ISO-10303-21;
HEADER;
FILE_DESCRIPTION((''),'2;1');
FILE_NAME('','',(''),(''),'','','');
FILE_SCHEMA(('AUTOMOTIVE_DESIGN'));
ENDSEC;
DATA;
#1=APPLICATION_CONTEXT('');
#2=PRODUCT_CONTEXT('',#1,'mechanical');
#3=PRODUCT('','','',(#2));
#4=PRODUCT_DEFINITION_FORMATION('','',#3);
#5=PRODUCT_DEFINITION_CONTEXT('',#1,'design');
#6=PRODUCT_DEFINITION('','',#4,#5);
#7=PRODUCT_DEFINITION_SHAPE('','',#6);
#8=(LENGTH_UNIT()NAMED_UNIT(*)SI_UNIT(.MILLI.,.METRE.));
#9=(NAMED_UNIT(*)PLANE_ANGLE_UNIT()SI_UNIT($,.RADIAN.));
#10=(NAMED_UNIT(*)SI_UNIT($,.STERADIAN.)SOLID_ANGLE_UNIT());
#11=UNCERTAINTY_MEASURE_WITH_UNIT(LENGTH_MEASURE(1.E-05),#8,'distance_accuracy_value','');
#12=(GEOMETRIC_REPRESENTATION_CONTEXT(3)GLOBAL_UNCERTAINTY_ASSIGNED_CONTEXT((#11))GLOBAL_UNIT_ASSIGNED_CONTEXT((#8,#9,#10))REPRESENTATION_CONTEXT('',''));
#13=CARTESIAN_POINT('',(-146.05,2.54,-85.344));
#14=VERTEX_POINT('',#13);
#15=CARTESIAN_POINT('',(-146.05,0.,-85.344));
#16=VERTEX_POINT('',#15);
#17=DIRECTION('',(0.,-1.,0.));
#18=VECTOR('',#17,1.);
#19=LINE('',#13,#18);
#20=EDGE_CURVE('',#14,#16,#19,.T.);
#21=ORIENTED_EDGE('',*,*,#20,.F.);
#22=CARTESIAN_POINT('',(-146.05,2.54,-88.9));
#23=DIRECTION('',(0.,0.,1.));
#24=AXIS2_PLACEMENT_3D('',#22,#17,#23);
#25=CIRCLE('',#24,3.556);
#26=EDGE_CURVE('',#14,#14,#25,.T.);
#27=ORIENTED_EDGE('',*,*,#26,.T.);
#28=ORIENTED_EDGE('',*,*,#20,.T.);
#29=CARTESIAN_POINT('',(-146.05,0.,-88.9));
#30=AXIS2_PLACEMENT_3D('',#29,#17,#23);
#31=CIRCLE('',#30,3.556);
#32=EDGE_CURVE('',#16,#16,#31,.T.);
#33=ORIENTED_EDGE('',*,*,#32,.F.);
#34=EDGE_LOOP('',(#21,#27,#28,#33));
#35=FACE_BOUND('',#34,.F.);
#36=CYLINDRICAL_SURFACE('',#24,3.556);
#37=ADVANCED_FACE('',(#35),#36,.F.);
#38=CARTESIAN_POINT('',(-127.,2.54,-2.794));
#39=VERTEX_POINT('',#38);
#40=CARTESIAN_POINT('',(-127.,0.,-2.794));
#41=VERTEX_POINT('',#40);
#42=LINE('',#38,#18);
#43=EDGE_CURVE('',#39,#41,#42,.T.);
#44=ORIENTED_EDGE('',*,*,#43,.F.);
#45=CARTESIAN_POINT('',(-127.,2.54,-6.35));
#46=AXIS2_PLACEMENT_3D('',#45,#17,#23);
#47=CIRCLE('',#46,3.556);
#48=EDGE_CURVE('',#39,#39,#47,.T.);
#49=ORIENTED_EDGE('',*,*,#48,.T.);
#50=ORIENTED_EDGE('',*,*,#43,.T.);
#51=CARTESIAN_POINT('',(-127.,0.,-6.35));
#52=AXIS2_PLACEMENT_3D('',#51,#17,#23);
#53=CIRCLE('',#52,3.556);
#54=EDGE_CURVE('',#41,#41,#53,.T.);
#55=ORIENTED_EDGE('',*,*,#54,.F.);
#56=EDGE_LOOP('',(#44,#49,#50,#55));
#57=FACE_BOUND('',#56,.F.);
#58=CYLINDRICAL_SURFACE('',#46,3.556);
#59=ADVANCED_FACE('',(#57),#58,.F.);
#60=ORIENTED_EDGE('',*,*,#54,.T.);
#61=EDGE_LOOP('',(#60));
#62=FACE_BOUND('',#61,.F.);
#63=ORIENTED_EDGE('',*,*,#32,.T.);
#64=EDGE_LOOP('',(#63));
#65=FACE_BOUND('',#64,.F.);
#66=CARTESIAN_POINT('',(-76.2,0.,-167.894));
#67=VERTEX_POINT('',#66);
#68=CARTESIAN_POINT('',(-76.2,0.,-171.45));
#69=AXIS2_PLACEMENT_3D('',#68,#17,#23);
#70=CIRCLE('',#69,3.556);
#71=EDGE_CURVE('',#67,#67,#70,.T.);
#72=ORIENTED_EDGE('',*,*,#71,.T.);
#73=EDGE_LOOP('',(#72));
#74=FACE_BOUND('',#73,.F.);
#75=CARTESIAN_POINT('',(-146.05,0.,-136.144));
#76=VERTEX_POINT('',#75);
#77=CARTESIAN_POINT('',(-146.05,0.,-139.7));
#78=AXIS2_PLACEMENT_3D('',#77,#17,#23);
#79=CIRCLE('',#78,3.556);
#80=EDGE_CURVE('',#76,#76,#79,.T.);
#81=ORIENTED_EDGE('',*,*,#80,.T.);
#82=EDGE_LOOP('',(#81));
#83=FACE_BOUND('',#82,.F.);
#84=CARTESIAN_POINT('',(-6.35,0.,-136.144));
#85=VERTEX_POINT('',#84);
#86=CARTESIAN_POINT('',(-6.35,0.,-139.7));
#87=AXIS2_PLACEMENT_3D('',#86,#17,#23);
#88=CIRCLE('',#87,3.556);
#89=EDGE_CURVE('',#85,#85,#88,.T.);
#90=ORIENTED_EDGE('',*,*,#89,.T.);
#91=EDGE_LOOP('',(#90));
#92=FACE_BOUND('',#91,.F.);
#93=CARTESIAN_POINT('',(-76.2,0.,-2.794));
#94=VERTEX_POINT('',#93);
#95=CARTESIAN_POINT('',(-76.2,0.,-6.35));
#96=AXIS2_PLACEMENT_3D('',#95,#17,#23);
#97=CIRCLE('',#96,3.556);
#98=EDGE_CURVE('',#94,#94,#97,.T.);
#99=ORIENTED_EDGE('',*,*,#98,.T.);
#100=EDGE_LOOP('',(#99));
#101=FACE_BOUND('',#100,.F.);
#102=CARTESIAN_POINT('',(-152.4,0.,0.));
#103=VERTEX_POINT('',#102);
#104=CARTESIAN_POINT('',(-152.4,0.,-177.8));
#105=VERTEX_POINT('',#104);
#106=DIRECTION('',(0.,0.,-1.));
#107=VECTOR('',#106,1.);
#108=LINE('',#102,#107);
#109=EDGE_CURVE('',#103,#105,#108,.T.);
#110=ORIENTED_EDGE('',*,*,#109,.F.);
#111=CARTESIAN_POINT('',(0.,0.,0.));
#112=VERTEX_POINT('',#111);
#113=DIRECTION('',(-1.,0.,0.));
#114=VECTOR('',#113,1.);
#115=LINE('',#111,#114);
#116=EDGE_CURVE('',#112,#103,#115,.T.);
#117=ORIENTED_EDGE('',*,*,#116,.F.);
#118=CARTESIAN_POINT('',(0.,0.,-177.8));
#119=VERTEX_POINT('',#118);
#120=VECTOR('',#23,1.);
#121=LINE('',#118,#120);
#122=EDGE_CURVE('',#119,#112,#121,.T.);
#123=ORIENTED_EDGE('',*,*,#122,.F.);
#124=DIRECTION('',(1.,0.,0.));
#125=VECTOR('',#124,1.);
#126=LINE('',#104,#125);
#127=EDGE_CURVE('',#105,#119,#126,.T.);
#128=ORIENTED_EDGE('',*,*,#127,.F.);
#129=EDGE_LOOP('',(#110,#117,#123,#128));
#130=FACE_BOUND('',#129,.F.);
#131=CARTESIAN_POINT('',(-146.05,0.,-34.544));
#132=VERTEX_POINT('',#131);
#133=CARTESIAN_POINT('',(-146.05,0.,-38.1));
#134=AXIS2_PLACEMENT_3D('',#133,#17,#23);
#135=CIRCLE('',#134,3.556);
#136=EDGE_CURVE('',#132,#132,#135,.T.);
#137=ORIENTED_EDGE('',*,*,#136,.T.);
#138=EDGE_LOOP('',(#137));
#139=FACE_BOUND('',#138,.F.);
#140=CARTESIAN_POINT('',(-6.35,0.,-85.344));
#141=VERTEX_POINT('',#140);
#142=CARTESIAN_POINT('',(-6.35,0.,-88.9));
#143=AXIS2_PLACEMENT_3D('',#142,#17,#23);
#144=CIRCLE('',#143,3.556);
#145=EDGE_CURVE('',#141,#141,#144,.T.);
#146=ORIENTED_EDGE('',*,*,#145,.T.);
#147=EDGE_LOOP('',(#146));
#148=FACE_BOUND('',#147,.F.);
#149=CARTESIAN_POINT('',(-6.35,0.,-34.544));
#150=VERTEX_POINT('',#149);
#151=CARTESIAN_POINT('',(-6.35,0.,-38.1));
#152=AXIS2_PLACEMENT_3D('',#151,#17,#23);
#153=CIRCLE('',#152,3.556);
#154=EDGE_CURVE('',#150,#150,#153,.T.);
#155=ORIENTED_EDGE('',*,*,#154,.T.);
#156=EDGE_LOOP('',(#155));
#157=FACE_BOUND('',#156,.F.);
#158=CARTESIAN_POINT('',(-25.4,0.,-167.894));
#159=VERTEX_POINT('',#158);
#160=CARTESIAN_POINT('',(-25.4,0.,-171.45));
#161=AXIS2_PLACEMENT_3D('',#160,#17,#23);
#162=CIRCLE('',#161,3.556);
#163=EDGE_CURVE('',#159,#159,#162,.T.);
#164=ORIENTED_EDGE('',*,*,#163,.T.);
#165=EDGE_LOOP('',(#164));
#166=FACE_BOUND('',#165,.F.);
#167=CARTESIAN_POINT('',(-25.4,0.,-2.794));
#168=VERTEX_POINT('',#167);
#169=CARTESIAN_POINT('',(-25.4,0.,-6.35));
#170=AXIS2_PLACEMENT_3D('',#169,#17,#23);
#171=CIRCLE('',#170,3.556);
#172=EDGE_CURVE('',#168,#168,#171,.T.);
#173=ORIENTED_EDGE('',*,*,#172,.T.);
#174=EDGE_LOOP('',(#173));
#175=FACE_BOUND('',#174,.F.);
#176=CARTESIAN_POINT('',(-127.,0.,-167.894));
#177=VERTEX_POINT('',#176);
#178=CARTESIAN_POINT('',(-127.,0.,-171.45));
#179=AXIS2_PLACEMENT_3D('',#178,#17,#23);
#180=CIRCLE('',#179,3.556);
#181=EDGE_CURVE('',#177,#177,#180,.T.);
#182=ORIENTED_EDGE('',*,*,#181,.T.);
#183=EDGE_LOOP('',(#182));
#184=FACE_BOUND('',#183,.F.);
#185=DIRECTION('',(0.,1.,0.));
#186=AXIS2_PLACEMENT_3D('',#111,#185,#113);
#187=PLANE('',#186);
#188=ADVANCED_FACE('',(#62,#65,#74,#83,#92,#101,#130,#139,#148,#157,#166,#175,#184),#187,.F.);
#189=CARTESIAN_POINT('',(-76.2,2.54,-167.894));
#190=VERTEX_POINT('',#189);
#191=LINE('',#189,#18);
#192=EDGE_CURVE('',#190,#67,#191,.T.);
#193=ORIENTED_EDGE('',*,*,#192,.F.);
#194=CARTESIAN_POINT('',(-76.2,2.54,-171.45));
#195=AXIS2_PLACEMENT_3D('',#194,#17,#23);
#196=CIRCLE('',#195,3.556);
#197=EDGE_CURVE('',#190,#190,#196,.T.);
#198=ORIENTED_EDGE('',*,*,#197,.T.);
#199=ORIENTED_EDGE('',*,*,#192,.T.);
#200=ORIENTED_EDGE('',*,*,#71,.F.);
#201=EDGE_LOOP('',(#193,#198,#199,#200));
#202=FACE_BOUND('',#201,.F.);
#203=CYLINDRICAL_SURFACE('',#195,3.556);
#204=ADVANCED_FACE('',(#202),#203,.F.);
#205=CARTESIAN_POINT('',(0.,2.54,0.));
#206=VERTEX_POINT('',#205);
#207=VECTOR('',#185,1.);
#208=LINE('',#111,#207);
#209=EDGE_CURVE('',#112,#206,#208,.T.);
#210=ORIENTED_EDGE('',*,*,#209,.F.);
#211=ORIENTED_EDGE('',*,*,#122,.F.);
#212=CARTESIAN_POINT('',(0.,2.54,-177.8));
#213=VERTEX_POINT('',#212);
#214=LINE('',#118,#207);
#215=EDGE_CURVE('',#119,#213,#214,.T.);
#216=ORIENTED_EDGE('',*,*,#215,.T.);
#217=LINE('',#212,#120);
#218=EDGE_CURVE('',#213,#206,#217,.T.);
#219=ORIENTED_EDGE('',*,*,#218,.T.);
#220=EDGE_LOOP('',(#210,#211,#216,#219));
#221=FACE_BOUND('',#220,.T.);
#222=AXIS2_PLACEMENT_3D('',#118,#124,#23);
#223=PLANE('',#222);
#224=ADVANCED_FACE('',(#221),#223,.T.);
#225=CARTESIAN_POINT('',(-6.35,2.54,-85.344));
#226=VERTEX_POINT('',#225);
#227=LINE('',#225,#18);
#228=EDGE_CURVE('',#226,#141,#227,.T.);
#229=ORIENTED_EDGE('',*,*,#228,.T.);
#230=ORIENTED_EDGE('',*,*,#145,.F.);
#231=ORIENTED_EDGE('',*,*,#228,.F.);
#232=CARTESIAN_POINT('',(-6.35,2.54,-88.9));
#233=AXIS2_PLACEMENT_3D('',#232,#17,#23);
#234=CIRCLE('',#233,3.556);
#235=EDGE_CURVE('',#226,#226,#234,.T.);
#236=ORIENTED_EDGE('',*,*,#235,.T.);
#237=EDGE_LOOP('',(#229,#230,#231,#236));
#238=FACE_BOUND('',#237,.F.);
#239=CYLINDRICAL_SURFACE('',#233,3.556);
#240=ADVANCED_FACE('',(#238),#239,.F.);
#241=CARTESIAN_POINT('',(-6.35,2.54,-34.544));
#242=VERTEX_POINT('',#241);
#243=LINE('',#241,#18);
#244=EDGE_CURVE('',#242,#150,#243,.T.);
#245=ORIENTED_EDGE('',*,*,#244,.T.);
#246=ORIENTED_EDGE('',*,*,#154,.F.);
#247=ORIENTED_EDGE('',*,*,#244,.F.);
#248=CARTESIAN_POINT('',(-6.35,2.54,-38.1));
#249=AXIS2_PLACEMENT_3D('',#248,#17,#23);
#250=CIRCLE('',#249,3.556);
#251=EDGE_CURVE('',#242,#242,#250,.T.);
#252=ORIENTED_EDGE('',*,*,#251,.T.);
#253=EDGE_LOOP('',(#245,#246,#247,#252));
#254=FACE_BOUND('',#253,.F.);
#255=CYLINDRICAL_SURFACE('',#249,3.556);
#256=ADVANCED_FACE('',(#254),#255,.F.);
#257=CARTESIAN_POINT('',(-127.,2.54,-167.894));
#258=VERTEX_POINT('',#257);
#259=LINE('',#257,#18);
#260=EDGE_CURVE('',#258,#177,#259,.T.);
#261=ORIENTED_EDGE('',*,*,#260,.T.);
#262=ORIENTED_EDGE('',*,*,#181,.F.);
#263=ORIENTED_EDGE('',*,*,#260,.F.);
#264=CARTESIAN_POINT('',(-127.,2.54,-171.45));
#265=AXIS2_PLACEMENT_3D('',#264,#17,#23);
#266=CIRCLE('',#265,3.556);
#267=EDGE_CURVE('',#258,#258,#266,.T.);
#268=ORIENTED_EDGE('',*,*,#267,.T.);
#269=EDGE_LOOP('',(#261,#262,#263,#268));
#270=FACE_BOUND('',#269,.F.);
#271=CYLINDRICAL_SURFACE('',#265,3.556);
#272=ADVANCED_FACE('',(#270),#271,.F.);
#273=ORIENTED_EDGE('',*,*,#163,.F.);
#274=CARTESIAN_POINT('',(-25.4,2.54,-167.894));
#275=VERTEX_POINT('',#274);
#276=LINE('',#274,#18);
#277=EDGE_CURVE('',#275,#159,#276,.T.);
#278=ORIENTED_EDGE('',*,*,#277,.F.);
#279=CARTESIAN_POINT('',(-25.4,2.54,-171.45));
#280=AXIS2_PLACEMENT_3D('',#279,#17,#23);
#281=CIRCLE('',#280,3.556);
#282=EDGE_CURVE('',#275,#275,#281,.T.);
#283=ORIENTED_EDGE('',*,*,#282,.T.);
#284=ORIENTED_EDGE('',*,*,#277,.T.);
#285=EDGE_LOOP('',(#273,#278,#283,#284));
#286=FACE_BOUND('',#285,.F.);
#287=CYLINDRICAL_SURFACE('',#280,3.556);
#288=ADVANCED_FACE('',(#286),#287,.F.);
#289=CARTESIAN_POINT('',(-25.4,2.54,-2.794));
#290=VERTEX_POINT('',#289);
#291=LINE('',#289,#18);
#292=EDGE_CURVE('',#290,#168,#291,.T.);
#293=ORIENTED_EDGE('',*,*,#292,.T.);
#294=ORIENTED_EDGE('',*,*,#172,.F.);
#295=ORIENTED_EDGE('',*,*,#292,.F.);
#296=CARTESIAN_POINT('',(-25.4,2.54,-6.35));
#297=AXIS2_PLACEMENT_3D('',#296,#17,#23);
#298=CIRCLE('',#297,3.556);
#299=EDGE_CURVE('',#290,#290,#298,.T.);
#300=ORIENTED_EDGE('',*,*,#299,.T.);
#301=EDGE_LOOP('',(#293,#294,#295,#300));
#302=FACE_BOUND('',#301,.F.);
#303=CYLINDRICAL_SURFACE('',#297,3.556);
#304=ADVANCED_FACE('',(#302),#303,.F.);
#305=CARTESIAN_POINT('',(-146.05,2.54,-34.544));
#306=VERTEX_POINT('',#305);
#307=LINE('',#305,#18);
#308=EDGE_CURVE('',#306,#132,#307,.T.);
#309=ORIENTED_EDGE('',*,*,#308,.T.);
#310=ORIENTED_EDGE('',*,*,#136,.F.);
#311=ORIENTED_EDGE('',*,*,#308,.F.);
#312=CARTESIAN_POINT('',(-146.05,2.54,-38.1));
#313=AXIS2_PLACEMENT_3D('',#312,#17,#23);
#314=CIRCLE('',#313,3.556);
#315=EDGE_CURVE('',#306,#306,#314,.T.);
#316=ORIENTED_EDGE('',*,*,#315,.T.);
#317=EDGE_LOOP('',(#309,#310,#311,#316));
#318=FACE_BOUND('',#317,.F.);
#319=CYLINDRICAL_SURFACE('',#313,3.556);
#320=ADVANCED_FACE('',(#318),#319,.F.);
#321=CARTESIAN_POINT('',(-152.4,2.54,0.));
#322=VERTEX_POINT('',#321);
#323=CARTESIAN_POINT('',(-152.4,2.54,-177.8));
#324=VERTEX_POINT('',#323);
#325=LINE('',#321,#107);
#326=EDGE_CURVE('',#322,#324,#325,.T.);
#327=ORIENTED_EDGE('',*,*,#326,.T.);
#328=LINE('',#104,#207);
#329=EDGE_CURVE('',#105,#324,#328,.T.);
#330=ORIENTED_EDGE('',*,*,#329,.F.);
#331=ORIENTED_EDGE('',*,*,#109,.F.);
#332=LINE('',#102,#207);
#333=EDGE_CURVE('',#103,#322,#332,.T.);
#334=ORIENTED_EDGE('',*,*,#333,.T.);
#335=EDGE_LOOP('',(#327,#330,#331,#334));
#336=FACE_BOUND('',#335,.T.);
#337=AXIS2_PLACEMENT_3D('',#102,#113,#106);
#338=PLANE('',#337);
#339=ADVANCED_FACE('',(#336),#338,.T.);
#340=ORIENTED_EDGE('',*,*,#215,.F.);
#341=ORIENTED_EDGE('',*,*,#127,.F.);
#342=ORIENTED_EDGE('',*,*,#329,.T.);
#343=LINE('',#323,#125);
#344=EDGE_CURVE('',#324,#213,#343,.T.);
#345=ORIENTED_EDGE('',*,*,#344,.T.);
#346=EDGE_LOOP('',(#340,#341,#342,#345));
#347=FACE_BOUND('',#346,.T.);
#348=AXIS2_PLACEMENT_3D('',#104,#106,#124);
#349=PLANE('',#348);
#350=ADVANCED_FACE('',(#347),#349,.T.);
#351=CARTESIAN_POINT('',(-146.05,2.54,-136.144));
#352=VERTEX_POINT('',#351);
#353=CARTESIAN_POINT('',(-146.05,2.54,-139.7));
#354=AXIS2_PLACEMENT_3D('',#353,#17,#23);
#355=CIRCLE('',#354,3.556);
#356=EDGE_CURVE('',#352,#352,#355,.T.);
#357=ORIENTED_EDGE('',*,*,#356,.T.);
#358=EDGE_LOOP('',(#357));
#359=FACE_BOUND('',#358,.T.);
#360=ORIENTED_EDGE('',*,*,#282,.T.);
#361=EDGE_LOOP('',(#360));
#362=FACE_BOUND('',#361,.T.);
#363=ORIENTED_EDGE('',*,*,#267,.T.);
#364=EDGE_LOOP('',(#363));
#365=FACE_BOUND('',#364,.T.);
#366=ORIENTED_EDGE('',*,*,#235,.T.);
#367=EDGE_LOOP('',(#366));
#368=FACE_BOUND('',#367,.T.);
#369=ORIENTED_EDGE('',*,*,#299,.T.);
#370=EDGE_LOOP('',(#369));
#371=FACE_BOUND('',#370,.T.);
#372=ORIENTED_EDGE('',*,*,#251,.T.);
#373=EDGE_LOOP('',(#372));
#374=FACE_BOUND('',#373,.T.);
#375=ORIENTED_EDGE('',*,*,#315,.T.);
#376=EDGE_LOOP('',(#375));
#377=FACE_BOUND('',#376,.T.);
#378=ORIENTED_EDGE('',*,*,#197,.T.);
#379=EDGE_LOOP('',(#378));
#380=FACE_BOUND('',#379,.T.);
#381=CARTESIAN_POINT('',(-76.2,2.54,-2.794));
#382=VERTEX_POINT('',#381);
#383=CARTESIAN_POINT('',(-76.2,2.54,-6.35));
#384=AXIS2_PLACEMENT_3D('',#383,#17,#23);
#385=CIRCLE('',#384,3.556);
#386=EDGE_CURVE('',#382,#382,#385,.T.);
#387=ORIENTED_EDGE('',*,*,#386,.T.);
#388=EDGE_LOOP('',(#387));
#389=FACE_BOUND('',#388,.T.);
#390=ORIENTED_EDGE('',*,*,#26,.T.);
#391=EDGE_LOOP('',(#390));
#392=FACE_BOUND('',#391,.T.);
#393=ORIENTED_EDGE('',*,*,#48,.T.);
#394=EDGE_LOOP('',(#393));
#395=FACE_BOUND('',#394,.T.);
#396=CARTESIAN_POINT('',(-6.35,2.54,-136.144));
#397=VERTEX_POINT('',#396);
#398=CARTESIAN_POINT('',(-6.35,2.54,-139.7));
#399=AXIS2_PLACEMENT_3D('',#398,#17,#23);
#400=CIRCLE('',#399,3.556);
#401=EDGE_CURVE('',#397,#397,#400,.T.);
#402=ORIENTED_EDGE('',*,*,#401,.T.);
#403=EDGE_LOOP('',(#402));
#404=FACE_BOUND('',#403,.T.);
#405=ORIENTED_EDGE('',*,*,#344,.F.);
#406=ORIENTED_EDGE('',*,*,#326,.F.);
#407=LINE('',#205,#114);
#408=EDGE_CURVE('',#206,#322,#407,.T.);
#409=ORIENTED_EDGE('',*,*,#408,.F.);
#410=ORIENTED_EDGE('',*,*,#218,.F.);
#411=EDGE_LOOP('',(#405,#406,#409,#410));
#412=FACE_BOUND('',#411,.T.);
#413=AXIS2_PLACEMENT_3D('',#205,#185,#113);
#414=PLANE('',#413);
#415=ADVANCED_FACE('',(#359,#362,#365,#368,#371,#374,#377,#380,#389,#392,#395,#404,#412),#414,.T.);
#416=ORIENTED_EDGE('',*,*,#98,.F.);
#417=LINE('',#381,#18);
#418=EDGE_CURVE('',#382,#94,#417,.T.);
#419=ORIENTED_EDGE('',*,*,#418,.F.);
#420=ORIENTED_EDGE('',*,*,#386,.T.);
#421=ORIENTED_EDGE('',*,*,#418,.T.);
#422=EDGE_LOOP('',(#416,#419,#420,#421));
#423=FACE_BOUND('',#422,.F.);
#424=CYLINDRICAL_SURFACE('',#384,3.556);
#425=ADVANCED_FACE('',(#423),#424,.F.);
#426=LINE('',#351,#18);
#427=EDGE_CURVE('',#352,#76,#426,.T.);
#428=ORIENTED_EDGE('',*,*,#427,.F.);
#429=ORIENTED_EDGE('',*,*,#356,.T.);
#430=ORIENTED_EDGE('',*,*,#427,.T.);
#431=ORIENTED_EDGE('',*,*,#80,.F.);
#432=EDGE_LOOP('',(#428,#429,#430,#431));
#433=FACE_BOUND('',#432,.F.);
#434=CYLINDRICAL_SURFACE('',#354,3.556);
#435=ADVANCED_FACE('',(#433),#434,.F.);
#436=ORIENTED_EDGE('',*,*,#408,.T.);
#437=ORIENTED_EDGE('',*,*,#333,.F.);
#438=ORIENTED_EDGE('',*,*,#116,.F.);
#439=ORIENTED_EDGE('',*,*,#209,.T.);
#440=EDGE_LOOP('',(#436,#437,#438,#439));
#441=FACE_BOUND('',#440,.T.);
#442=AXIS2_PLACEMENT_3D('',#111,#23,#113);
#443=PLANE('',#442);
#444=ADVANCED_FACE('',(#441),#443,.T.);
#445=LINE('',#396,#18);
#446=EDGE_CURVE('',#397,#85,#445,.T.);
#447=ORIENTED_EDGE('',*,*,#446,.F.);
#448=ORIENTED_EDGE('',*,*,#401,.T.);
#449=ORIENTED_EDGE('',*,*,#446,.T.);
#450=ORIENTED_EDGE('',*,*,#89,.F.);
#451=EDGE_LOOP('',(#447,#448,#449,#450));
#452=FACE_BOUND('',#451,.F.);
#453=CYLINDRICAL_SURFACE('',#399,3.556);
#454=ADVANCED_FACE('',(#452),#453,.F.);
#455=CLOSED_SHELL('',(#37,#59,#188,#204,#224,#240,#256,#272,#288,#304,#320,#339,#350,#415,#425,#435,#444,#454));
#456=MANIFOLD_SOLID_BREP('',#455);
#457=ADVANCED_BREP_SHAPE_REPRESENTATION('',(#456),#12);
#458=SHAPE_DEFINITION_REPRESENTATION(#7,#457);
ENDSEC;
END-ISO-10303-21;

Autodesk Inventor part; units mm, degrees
ref_plane "YZ Plane" through (0, 0, 0) normal (1, 0, 0) x (0, 1, 0)
ref_plane "XZ Plane" through (0, 0, 0) normal (0, 1, 0) x (-1, 0, 0)
ref_plane "XY Plane" through (0, 0, 0) normal (0, 0, 1) x (1, 0, 0)
sketch "Sketch1" plane through (0, 0, 0) normal (0, 1, 0) x (-1, 0, 0)
  line L0 (0, 0) -> (152.4, 0)
  line L1 (152.4, 0) -> (152.4, -177.8)
  line L2 (152.4, -177.8) -> (0, -177.8)
  line L3 (0, -177.8) -> (0, 0)
  dimension "d0" = 152.4
  dimension "d1" = 177.8
extrude "Extrusion1" add sketch "Sketch1" along normal blind 2.54
sketch "Sketch2" plane through (0, 2.54, 0) normal (0, 1, 0) x (1, 0, 0)
  line L0 (-152.4, 0) -> (0, 0) projected
  line L1 (0, 0) -> (0, 177.8) projected
  line L2 (0, 177.8) -> (-152.4, 177.8) projected
  line L3 (-152.4, 177.8) -> (-152.4, 0) projected
  line L4 (-146.05, 6.35) -> (-6.35, 6.35) construction
  line L5 (-6.35, 6.35) -> (-6.35, 171.45) construction
  line L6 (-6.35, 171.45) -> (-146.05, 171.45) construction
  line L7 (-146.05, 171.45) -> (-146.05, 6.35) construction
  line L8 (-146.05, 171.45) -> (-127, 171.45) construction
  line L9 (-127, 171.45) -> (-127, 6.35) construction
  line L10 (-127, 6.35) -> (-146.05, 6.35) construction
  line L11 (-146.05, 6.35) -> (-146.05, 171.45) construction
  line L12 (-76.2, 6.35) -> (-127, 6.35) construction
  line L13 (-127, 6.35) -> (-127, 171.45) construction
  line L14 (-127, 171.45) -> (-76.2, 171.45) construction
  line L15 (-76.2, 171.45) -> (-76.2, 6.35) construction
  line L16 (-25.4, 6.35) -> (-6.35, 6.35) construction
  line L17 (-6.35, 6.35) -> (-6.35, 171.45) construction
  line L18 (-6.35, 171.45) -> (-25.4, 171.45) construction
  line L19 (-25.4, 171.45) -> (-25.4, 6.35) construction
  line L20 (0, 0) -> (0, 177.8) construction
  line L21 (-152.4, 0) -> (0, 0) construction
  line L22 (0, 0) -> (0, 12.7) construction
  line L23 (0, 12.7) -> (-152.4, 12.7) construction
  line L24 (-152.4, 12.7) -> (-152.4, 0) construction
  line L25 (-152.4, 177.8) -> (0, 177.8) construction
  line L26 (0, 177.8) -> (0, 165.1) construction
  line L27 (0, 165.1) -> (-152.4, 165.1) construction
  line L28 (-152.4, 165.1) -> (-152.4, 177.8) construction
  line L29 (-146.05, 38.1) -> (-6.35, 38.1) construction
  line L30 (-6.35, 38.1) -> (-6.35, 12.7) construction
  line L31 (-6.35, 12.7) -> (-146.05, 12.7) construction
  line L32 (-146.05, 12.7) -> (-146.05, 38.1) construction
  line L33 (-146.05, 38.1) -> (-6.35, 38.1) construction
  line L34 (-6.35, 38.1) -> (-6.35, 88.9) construction
  line L35 (-6.35, 88.9) -> (-146.05, 88.9) construction
  line L36 (-146.05, 88.9) -> (-146.05, 38.1) construction
  line L37 (-6.35, 88.9) -> (-146.05, 88.9) construction
  line L38 (-146.05, 88.9) -> (-146.05, 139.7) construction
  line L39 (-146.05, 139.7) -> (-6.35, 139.7) construction
  line L40 (-6.35, 139.7) -> (-6.35, 88.9) construction
  line L41 (-146.05, 139.7) -> (-6.35, 139.7) construction
  line L42 (-6.35, 139.7) -> (-6.35, 165.1) construction
  line L43 (-6.35, 165.1) -> (-146.05, 165.1) construction
  line L44 (-146.05, 165.1) -> (-146.05, 139.7) construction
  point P0 (-146.05, 88.9)
  dimension "d4" = 6.35
  dimension "d5" = 25.4
  dimension "d6" = 25.4
  dimension "d7" = 50.8
  dimension "d8" = 12.7
  dimension "d9" = 12.7
  dimension "d10" = 25.4
  dimension "d11" = 25.4
  dimension "d12" = 76.2
hole "Hole1" at (-127, 2.54, -6.35) at (-76.2, 2.54, -6.35) at (-25.4, 2.54, -6.35) at (-127, 2.54, -171.45) at (-76.2, 2.54, -171.45) at (-25.4, 2.54, -171.45) at (-146.05, 2.54, -38.1) at (-146.05, 2.54, -88.9) at (-146.05, 2.54, -139.7) at (-6.35, 2.54, -38.1) at (-6.35, 2.54, -88.9) at (-6.35, 2.54, -139.7) direction (0, -1, 0) diameter 7.112 end through all
properties part number "090003-1"
